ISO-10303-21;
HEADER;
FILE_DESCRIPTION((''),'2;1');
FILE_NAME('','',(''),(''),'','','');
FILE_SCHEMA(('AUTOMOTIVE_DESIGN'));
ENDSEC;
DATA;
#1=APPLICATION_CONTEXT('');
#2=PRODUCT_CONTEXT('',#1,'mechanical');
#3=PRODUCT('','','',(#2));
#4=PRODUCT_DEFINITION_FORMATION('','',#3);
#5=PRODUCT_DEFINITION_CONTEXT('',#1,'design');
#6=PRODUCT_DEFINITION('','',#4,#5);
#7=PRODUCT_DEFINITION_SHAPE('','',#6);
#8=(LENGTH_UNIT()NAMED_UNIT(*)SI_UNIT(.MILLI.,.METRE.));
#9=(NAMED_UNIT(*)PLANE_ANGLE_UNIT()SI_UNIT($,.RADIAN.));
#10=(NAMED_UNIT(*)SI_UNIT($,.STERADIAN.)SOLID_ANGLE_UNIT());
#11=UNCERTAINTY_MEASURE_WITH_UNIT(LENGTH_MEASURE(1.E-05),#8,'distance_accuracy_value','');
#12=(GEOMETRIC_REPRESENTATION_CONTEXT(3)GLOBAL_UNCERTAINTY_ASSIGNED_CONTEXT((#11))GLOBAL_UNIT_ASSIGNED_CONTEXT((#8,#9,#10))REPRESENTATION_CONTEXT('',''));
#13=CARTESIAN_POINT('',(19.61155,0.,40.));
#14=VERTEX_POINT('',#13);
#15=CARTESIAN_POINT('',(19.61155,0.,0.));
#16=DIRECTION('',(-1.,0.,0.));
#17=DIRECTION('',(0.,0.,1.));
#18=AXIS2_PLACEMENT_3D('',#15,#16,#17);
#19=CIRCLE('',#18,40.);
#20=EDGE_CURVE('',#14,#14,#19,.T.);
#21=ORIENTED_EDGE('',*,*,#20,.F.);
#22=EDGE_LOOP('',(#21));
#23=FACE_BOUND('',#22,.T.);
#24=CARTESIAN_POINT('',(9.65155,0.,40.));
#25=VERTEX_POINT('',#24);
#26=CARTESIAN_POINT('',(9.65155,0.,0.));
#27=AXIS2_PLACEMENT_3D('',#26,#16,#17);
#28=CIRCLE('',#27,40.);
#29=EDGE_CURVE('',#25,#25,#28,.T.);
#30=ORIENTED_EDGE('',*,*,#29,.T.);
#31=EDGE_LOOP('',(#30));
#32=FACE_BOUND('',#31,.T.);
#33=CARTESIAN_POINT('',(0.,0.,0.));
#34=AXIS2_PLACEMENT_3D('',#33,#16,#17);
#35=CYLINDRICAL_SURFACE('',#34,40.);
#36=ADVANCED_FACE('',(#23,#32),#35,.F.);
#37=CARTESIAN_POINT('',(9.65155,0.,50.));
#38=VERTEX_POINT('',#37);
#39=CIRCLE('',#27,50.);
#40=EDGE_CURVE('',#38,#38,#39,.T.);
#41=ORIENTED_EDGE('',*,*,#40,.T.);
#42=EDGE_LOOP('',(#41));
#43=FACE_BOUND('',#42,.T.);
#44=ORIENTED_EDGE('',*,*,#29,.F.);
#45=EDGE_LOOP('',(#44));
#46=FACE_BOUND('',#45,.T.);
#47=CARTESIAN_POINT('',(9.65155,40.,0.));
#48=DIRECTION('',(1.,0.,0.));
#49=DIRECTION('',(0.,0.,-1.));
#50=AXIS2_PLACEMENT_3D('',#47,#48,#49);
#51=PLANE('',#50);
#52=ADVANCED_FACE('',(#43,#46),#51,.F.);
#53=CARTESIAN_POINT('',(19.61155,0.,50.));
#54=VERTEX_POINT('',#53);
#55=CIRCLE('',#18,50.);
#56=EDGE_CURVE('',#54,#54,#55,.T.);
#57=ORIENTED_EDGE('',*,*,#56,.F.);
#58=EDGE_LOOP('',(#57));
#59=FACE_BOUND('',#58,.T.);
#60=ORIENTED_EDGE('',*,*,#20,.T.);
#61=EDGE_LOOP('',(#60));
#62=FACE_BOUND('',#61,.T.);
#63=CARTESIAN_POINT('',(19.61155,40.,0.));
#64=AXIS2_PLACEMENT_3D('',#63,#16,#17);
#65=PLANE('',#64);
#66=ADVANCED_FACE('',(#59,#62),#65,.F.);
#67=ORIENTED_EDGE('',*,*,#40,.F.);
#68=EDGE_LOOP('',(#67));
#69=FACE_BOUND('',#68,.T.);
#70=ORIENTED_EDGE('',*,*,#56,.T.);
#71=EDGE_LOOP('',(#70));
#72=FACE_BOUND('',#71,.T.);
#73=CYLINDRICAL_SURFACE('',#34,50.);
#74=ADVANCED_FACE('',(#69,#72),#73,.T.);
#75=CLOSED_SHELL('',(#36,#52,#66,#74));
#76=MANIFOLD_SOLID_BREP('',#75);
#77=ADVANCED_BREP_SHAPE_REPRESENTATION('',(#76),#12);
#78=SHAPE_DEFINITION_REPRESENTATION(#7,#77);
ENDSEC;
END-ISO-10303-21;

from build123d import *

# Parameters (mm, degrees)
SKETCH3_W = 9.959999892
SKETCH3_H = 9.999999939


with BuildPart() as part:
    # Sketch3 → Revolve1 (revolve)
    with BuildSketch(Plane.XY):
        with Locations((14.631549985, 44.99999998)):
            Rectangle(SKETCH3_W, SKETCH3_H)
    revolve(axis=Axis((0, 0, 0), (1, 0, 0)))


solid = part.part
